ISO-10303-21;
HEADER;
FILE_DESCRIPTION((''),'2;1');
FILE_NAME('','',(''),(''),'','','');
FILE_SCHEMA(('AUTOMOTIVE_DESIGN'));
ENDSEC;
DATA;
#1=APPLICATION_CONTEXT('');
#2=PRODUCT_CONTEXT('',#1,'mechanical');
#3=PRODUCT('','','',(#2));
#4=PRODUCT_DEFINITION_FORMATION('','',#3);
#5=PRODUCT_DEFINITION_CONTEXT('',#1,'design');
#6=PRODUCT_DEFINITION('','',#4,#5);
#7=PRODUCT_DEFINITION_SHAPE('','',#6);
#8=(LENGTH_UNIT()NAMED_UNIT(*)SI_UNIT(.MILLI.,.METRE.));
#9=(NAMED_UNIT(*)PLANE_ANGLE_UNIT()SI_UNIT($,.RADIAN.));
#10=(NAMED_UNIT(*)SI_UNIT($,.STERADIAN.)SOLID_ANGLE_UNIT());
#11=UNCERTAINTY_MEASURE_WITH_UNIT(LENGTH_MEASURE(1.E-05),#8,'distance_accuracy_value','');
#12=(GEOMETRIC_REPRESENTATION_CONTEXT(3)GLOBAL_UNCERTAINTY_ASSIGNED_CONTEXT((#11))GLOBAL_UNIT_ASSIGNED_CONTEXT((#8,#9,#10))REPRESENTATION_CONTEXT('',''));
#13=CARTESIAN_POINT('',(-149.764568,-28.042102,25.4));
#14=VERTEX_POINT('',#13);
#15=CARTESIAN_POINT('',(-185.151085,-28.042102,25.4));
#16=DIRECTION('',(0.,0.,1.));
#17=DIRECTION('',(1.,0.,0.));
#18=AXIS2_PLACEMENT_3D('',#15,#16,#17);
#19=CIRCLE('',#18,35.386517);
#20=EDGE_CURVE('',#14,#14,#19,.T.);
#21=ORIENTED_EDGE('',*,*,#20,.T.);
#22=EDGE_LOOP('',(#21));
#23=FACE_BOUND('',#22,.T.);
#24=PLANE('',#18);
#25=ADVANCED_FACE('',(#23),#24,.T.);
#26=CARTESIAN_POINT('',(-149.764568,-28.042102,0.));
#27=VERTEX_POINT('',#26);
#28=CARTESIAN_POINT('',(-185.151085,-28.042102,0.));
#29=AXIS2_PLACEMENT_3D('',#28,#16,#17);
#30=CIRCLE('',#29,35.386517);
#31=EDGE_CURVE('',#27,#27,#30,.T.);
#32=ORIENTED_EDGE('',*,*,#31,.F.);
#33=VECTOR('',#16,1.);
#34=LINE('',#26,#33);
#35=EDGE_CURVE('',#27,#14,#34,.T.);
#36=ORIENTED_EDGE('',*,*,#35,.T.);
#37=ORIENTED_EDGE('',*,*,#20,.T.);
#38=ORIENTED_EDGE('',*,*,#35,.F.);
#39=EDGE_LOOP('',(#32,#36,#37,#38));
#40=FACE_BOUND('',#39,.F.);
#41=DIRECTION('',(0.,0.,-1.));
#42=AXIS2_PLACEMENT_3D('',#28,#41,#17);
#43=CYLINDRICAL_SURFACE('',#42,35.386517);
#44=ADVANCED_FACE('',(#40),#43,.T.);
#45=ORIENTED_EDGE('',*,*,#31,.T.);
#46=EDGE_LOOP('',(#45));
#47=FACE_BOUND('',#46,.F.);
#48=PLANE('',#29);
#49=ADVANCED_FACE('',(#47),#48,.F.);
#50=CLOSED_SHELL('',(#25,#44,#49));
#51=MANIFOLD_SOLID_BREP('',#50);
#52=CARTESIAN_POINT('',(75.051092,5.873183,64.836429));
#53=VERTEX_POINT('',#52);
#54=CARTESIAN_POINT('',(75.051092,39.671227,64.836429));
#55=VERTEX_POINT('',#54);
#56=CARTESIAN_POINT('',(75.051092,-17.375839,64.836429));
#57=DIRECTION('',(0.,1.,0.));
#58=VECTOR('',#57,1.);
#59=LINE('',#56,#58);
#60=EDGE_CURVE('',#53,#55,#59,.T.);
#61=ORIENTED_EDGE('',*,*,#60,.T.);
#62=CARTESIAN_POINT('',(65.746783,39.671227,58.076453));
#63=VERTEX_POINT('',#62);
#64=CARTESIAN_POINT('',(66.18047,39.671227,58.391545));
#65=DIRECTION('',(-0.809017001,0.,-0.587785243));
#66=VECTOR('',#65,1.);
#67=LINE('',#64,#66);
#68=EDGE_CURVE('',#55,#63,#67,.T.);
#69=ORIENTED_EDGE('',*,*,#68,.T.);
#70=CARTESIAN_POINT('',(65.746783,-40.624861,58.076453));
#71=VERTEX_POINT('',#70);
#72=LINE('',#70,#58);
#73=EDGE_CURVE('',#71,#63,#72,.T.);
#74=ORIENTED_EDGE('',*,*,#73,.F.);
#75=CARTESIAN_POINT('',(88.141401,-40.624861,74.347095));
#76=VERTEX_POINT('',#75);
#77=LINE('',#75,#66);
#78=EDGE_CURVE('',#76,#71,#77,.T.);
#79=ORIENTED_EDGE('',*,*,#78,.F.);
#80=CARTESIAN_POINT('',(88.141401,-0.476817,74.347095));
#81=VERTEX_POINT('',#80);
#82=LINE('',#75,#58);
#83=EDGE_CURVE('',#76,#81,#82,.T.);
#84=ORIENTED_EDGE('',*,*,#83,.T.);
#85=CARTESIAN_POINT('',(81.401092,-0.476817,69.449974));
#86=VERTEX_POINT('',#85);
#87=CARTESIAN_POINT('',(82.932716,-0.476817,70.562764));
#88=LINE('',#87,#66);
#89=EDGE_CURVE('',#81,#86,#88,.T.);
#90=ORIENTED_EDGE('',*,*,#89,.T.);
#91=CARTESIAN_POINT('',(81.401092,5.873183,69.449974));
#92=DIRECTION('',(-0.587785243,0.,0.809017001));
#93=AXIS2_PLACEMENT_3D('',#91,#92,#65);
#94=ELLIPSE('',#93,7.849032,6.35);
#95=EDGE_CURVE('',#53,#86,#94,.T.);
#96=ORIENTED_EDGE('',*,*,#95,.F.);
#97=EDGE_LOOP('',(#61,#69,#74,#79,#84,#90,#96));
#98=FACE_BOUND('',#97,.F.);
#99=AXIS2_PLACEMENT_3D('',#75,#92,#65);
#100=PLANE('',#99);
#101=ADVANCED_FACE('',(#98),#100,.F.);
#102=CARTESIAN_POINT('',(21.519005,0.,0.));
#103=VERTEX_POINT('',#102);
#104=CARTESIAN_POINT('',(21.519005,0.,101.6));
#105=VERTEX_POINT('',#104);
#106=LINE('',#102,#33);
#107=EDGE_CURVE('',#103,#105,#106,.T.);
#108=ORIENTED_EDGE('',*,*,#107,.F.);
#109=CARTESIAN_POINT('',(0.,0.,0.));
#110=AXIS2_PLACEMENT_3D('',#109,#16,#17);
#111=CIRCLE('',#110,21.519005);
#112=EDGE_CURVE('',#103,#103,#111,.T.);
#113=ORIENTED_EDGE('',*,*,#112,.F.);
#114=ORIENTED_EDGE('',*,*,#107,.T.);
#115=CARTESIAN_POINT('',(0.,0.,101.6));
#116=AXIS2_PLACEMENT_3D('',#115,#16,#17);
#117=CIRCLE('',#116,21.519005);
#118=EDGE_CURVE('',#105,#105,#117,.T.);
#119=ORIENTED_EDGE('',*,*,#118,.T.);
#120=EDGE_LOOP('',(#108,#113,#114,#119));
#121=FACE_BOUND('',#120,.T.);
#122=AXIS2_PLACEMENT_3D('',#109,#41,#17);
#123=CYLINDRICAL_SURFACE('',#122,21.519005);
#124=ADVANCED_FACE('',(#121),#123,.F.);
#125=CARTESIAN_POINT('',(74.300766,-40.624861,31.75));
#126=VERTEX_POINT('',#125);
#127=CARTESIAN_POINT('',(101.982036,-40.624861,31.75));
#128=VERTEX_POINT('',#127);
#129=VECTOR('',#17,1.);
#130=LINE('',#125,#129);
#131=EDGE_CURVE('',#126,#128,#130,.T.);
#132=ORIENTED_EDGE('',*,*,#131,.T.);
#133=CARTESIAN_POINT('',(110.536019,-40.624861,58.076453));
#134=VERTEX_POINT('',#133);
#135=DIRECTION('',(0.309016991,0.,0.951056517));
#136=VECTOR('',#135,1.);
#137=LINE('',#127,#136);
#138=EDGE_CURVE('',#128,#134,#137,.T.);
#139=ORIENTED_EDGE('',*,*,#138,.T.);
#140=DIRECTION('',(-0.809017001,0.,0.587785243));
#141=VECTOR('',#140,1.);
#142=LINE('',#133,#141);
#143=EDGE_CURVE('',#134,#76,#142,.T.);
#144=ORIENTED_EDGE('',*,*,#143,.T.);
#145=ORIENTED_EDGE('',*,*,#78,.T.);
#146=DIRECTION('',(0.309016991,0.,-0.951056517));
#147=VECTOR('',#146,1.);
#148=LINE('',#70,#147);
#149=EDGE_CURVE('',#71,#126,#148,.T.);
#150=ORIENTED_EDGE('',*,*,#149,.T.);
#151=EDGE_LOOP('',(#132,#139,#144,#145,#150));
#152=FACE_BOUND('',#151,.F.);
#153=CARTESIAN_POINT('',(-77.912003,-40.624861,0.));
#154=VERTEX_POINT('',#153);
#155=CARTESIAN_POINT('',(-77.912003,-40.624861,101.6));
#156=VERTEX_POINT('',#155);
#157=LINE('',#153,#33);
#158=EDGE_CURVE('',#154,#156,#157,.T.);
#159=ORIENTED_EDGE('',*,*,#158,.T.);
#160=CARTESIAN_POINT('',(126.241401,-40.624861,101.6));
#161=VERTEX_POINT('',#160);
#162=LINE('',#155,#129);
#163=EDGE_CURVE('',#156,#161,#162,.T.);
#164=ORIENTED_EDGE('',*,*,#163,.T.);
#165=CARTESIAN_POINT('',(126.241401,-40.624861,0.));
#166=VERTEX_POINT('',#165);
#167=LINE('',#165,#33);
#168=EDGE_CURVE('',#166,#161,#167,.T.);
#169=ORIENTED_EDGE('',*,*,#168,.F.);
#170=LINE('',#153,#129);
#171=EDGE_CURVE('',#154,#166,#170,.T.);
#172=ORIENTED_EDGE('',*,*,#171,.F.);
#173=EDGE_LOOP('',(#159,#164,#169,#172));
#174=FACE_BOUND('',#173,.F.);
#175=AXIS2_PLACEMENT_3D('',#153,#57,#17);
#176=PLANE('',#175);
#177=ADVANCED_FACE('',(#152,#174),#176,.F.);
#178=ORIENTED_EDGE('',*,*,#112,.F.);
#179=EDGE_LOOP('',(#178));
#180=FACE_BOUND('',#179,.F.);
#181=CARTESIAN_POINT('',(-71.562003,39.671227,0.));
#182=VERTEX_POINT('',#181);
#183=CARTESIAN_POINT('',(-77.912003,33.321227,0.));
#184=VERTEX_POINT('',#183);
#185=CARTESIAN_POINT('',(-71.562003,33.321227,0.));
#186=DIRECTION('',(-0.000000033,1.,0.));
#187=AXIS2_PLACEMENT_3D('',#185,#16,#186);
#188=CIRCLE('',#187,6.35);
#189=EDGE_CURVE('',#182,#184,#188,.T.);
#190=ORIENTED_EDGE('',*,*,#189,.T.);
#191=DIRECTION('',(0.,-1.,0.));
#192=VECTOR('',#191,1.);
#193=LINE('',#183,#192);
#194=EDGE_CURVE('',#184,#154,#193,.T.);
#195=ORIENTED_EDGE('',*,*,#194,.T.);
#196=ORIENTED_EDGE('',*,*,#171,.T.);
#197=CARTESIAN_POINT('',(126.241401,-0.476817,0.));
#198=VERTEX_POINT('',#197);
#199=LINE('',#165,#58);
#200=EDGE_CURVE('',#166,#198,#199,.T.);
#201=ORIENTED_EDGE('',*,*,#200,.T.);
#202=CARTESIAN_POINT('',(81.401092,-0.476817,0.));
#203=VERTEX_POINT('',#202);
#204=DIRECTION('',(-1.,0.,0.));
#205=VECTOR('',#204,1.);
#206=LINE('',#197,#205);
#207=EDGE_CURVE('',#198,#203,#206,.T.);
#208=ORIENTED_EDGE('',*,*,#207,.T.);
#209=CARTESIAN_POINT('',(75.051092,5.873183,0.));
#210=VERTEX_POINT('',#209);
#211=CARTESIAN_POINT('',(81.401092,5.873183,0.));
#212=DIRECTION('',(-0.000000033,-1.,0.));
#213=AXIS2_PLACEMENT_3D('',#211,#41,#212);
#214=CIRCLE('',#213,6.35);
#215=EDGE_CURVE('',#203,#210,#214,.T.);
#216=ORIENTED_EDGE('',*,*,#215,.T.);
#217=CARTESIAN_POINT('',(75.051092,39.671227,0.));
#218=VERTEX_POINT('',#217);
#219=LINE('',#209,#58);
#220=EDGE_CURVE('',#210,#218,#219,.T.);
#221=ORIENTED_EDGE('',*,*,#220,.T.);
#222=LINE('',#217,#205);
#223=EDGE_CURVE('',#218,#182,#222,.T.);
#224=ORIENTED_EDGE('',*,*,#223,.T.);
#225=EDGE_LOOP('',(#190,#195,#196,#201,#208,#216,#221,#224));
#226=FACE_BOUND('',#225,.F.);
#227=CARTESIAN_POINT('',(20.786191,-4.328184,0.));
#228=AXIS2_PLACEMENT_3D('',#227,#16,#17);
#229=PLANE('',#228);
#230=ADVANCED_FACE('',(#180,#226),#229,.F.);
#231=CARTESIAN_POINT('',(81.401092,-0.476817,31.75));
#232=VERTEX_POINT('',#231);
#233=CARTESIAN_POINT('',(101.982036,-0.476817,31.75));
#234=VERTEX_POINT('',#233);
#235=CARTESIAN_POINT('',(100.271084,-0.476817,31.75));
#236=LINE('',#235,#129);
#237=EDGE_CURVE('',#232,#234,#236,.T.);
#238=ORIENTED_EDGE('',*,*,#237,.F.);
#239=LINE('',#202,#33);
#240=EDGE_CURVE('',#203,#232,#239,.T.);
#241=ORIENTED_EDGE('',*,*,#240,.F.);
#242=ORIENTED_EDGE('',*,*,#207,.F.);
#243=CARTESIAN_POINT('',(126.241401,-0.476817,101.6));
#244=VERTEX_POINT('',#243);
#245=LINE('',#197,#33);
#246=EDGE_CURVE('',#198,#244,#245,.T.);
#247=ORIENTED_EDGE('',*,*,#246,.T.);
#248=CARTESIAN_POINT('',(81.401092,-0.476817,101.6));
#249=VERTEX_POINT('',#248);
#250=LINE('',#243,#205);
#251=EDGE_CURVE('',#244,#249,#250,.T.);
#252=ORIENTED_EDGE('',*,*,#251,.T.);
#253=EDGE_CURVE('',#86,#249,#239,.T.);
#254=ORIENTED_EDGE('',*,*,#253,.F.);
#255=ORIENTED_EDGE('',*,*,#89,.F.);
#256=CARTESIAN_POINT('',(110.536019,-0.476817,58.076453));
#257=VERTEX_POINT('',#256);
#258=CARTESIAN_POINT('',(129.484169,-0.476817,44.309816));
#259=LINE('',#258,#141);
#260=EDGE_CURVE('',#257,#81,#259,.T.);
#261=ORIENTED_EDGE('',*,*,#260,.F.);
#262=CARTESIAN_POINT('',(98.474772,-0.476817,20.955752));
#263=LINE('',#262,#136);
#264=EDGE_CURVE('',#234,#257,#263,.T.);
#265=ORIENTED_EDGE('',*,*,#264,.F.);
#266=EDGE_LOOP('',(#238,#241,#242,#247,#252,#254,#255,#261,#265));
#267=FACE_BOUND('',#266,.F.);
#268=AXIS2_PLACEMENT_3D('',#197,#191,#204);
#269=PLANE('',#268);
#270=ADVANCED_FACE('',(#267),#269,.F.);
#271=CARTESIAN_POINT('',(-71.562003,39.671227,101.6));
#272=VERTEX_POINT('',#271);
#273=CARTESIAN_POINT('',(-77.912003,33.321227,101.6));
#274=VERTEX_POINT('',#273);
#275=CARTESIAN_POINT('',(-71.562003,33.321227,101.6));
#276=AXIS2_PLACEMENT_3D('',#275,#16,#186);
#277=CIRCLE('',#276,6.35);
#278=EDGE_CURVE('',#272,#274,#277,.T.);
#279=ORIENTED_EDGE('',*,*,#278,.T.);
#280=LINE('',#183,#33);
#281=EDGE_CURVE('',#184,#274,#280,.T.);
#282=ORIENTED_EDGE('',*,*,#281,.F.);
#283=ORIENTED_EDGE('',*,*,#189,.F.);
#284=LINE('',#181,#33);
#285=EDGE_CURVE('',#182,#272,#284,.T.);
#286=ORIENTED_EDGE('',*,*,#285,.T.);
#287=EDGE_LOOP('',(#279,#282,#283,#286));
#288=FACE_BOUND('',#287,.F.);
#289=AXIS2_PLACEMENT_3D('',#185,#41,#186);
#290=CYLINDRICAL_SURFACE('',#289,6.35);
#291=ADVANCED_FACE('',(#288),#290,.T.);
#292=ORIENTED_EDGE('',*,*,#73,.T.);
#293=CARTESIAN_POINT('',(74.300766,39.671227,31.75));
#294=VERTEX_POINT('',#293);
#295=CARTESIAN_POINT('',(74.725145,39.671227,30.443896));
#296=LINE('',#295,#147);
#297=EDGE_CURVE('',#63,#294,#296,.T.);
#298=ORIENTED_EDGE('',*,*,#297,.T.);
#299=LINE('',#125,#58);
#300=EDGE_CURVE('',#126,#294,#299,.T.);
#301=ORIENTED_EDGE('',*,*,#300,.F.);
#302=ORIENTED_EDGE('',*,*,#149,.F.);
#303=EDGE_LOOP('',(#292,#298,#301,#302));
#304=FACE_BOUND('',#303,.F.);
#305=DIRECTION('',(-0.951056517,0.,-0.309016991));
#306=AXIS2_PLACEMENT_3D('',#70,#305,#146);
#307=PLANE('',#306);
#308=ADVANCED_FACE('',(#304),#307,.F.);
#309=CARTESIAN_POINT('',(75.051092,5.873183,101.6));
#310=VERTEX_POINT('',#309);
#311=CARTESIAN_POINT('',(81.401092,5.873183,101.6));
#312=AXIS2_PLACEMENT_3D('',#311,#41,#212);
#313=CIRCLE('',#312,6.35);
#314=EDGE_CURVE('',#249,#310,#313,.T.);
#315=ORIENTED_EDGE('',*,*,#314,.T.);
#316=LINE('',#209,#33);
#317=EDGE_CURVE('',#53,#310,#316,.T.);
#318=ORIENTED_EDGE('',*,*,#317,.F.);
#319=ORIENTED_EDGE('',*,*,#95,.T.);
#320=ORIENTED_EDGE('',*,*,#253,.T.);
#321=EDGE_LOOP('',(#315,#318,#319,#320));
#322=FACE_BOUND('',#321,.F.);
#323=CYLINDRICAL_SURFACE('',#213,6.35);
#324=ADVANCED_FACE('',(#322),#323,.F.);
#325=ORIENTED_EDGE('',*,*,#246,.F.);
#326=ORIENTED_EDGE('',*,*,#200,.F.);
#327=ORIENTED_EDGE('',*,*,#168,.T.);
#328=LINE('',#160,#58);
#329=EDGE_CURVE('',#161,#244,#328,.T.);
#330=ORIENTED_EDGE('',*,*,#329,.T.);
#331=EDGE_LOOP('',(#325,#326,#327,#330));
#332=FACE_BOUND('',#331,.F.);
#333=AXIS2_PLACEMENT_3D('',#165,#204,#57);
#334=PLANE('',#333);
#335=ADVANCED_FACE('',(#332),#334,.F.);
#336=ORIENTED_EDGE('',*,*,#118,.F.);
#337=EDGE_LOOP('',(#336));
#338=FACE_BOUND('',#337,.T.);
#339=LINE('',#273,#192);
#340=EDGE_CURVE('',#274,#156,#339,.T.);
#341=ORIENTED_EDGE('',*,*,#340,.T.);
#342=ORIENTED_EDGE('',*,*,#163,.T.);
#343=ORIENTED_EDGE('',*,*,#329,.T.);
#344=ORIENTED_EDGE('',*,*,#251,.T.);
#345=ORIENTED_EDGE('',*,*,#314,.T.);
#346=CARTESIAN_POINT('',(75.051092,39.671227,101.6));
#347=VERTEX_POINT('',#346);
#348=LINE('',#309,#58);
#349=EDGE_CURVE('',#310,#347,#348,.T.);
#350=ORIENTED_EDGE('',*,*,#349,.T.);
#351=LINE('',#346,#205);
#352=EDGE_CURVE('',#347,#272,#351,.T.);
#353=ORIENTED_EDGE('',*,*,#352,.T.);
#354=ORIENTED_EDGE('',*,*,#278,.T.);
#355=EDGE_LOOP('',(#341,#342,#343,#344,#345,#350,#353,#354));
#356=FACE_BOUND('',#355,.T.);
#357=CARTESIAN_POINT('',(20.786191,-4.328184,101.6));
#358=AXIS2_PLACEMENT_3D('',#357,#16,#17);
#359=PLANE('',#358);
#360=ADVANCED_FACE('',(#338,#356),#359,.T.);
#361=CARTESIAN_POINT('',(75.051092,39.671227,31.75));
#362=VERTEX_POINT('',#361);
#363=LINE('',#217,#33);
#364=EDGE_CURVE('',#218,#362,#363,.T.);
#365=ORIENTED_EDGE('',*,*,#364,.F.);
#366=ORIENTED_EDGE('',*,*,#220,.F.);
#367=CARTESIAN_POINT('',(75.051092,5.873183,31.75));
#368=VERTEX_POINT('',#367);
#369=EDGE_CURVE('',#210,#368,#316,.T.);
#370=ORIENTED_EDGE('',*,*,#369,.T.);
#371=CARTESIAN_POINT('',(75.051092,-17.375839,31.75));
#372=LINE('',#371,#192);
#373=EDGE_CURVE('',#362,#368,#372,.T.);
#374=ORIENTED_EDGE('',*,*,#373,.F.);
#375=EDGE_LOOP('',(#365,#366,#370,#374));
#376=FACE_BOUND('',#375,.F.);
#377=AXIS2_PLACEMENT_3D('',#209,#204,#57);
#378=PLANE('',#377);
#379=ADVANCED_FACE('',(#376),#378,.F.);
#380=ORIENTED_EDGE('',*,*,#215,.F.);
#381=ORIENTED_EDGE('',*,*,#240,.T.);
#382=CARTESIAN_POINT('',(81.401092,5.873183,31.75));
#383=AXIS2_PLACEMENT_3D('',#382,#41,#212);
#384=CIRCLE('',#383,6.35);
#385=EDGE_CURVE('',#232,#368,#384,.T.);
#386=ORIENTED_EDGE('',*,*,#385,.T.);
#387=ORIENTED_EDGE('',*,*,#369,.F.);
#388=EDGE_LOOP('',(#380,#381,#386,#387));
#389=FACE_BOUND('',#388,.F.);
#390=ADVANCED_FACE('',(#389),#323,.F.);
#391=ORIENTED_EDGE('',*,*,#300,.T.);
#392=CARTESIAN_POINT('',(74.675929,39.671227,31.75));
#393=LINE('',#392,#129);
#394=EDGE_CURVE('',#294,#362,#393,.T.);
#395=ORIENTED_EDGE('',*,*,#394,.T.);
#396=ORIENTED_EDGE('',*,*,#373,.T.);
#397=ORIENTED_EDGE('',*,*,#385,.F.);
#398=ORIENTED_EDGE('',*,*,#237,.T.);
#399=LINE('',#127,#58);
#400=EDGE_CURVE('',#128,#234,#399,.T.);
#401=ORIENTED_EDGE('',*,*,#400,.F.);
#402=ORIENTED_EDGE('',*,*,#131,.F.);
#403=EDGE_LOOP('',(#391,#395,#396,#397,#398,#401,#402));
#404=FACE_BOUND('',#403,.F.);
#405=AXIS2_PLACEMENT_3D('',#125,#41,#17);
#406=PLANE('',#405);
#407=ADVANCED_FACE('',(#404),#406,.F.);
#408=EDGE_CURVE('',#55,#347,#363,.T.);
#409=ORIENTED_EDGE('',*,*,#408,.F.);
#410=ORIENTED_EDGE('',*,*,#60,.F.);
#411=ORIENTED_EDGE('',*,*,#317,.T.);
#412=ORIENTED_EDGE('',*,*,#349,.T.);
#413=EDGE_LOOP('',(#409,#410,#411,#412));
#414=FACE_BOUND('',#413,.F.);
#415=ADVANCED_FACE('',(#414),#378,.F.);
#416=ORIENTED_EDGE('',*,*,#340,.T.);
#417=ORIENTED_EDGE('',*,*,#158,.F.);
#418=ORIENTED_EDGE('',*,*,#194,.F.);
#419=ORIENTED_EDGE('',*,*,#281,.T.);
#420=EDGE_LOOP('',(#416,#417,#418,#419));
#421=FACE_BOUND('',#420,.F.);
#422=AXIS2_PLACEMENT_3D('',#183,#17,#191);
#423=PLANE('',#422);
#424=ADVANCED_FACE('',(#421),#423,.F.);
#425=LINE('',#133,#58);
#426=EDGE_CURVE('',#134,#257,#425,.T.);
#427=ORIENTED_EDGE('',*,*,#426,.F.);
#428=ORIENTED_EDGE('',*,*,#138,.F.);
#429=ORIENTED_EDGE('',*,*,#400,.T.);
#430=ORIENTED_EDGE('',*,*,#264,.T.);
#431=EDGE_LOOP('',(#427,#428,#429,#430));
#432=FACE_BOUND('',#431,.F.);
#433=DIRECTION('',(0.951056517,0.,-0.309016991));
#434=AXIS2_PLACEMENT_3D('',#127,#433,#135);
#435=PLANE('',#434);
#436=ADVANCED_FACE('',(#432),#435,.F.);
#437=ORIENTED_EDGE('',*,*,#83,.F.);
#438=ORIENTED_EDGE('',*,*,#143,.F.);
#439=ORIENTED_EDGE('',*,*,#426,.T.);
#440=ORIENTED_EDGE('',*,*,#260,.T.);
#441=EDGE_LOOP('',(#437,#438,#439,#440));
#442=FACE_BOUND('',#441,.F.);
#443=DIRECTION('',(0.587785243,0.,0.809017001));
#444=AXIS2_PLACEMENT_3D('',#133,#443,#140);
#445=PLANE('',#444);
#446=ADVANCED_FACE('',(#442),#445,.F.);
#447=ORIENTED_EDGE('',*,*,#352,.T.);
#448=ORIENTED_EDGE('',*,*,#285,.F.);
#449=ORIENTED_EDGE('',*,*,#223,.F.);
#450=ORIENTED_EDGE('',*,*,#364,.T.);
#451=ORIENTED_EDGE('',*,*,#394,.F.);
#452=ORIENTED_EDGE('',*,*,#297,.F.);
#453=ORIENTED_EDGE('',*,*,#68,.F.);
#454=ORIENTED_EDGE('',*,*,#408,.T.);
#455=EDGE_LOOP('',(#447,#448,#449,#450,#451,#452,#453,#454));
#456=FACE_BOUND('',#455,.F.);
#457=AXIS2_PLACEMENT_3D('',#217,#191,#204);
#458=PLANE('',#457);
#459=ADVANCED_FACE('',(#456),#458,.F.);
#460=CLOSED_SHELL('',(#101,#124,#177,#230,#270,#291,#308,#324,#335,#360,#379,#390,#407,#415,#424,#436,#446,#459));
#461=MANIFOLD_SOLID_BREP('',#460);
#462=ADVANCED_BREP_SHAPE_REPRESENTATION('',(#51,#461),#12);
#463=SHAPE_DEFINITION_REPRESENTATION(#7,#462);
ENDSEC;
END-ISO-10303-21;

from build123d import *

# Parameters (mm, degrees)
F0_R     = 21.519005
F1_DEPTH = 101.6
F3_DEPTH = 80.297088
F4_R     = 35.386517
F5_DEPTH = 25.4


with BuildPart() as f1:
    # F0 (on Top) → F1 (new body)
    with BuildSketch(Plane.XY):
        with BuildLine():
            Line((75.051092, 39.671227), (-71.562003, 39.671227))
            ThreePointArc((-71.562003, 39.671227), (-76.052131, 37.811355), (-77.912003, 33.321227))
            Line((-77.912003, 33.321227), (-77.912003, -40.624861))
            Line((-77.912003, -40.624861), (75.051092, -40.624861))
            Line((75.051092, -40.624861), (126.241401, -40.624861))
            Line((126.241401, -40.624861), (126.241401, -0.476817))
            Line((126.241401, -0.476817), (81.401092, -0.476817))
            ThreePointArc((81.401092, -0.476817), (76.910964, 1.383055), (75.051092, 5.873183))
            Line((75.051092, 5.873183), (75.051092, 39.671227))
        make_face()
        Circle(F0_R, mode=Mode.SUBTRACT)
    extrude(amount=F1_DEPTH)

    # F2 (on face) → F3 (cut, through all)
    with BuildSketch(Plane.XZ.offset(40.624861)):
        Polygon((65.746783, 58.076453), (74.300766, 31.75), (101.982036, 31.75), (110.536019, 58.076453), (88.141401, 74.347095), align=None)
    extrude(amount=-F3_DEPTH, mode=Mode.SUBTRACT)


with BuildPart() as f5:
    # F4 (on Top) → F5 (new body)
    with BuildSketch(Plane.XY):
        with Locations((-185.151085, -28.042102)):
            Circle(F4_R)
    extrude(amount=F5_DEPTH)


solid = Compound([f1.part, f5.part])
